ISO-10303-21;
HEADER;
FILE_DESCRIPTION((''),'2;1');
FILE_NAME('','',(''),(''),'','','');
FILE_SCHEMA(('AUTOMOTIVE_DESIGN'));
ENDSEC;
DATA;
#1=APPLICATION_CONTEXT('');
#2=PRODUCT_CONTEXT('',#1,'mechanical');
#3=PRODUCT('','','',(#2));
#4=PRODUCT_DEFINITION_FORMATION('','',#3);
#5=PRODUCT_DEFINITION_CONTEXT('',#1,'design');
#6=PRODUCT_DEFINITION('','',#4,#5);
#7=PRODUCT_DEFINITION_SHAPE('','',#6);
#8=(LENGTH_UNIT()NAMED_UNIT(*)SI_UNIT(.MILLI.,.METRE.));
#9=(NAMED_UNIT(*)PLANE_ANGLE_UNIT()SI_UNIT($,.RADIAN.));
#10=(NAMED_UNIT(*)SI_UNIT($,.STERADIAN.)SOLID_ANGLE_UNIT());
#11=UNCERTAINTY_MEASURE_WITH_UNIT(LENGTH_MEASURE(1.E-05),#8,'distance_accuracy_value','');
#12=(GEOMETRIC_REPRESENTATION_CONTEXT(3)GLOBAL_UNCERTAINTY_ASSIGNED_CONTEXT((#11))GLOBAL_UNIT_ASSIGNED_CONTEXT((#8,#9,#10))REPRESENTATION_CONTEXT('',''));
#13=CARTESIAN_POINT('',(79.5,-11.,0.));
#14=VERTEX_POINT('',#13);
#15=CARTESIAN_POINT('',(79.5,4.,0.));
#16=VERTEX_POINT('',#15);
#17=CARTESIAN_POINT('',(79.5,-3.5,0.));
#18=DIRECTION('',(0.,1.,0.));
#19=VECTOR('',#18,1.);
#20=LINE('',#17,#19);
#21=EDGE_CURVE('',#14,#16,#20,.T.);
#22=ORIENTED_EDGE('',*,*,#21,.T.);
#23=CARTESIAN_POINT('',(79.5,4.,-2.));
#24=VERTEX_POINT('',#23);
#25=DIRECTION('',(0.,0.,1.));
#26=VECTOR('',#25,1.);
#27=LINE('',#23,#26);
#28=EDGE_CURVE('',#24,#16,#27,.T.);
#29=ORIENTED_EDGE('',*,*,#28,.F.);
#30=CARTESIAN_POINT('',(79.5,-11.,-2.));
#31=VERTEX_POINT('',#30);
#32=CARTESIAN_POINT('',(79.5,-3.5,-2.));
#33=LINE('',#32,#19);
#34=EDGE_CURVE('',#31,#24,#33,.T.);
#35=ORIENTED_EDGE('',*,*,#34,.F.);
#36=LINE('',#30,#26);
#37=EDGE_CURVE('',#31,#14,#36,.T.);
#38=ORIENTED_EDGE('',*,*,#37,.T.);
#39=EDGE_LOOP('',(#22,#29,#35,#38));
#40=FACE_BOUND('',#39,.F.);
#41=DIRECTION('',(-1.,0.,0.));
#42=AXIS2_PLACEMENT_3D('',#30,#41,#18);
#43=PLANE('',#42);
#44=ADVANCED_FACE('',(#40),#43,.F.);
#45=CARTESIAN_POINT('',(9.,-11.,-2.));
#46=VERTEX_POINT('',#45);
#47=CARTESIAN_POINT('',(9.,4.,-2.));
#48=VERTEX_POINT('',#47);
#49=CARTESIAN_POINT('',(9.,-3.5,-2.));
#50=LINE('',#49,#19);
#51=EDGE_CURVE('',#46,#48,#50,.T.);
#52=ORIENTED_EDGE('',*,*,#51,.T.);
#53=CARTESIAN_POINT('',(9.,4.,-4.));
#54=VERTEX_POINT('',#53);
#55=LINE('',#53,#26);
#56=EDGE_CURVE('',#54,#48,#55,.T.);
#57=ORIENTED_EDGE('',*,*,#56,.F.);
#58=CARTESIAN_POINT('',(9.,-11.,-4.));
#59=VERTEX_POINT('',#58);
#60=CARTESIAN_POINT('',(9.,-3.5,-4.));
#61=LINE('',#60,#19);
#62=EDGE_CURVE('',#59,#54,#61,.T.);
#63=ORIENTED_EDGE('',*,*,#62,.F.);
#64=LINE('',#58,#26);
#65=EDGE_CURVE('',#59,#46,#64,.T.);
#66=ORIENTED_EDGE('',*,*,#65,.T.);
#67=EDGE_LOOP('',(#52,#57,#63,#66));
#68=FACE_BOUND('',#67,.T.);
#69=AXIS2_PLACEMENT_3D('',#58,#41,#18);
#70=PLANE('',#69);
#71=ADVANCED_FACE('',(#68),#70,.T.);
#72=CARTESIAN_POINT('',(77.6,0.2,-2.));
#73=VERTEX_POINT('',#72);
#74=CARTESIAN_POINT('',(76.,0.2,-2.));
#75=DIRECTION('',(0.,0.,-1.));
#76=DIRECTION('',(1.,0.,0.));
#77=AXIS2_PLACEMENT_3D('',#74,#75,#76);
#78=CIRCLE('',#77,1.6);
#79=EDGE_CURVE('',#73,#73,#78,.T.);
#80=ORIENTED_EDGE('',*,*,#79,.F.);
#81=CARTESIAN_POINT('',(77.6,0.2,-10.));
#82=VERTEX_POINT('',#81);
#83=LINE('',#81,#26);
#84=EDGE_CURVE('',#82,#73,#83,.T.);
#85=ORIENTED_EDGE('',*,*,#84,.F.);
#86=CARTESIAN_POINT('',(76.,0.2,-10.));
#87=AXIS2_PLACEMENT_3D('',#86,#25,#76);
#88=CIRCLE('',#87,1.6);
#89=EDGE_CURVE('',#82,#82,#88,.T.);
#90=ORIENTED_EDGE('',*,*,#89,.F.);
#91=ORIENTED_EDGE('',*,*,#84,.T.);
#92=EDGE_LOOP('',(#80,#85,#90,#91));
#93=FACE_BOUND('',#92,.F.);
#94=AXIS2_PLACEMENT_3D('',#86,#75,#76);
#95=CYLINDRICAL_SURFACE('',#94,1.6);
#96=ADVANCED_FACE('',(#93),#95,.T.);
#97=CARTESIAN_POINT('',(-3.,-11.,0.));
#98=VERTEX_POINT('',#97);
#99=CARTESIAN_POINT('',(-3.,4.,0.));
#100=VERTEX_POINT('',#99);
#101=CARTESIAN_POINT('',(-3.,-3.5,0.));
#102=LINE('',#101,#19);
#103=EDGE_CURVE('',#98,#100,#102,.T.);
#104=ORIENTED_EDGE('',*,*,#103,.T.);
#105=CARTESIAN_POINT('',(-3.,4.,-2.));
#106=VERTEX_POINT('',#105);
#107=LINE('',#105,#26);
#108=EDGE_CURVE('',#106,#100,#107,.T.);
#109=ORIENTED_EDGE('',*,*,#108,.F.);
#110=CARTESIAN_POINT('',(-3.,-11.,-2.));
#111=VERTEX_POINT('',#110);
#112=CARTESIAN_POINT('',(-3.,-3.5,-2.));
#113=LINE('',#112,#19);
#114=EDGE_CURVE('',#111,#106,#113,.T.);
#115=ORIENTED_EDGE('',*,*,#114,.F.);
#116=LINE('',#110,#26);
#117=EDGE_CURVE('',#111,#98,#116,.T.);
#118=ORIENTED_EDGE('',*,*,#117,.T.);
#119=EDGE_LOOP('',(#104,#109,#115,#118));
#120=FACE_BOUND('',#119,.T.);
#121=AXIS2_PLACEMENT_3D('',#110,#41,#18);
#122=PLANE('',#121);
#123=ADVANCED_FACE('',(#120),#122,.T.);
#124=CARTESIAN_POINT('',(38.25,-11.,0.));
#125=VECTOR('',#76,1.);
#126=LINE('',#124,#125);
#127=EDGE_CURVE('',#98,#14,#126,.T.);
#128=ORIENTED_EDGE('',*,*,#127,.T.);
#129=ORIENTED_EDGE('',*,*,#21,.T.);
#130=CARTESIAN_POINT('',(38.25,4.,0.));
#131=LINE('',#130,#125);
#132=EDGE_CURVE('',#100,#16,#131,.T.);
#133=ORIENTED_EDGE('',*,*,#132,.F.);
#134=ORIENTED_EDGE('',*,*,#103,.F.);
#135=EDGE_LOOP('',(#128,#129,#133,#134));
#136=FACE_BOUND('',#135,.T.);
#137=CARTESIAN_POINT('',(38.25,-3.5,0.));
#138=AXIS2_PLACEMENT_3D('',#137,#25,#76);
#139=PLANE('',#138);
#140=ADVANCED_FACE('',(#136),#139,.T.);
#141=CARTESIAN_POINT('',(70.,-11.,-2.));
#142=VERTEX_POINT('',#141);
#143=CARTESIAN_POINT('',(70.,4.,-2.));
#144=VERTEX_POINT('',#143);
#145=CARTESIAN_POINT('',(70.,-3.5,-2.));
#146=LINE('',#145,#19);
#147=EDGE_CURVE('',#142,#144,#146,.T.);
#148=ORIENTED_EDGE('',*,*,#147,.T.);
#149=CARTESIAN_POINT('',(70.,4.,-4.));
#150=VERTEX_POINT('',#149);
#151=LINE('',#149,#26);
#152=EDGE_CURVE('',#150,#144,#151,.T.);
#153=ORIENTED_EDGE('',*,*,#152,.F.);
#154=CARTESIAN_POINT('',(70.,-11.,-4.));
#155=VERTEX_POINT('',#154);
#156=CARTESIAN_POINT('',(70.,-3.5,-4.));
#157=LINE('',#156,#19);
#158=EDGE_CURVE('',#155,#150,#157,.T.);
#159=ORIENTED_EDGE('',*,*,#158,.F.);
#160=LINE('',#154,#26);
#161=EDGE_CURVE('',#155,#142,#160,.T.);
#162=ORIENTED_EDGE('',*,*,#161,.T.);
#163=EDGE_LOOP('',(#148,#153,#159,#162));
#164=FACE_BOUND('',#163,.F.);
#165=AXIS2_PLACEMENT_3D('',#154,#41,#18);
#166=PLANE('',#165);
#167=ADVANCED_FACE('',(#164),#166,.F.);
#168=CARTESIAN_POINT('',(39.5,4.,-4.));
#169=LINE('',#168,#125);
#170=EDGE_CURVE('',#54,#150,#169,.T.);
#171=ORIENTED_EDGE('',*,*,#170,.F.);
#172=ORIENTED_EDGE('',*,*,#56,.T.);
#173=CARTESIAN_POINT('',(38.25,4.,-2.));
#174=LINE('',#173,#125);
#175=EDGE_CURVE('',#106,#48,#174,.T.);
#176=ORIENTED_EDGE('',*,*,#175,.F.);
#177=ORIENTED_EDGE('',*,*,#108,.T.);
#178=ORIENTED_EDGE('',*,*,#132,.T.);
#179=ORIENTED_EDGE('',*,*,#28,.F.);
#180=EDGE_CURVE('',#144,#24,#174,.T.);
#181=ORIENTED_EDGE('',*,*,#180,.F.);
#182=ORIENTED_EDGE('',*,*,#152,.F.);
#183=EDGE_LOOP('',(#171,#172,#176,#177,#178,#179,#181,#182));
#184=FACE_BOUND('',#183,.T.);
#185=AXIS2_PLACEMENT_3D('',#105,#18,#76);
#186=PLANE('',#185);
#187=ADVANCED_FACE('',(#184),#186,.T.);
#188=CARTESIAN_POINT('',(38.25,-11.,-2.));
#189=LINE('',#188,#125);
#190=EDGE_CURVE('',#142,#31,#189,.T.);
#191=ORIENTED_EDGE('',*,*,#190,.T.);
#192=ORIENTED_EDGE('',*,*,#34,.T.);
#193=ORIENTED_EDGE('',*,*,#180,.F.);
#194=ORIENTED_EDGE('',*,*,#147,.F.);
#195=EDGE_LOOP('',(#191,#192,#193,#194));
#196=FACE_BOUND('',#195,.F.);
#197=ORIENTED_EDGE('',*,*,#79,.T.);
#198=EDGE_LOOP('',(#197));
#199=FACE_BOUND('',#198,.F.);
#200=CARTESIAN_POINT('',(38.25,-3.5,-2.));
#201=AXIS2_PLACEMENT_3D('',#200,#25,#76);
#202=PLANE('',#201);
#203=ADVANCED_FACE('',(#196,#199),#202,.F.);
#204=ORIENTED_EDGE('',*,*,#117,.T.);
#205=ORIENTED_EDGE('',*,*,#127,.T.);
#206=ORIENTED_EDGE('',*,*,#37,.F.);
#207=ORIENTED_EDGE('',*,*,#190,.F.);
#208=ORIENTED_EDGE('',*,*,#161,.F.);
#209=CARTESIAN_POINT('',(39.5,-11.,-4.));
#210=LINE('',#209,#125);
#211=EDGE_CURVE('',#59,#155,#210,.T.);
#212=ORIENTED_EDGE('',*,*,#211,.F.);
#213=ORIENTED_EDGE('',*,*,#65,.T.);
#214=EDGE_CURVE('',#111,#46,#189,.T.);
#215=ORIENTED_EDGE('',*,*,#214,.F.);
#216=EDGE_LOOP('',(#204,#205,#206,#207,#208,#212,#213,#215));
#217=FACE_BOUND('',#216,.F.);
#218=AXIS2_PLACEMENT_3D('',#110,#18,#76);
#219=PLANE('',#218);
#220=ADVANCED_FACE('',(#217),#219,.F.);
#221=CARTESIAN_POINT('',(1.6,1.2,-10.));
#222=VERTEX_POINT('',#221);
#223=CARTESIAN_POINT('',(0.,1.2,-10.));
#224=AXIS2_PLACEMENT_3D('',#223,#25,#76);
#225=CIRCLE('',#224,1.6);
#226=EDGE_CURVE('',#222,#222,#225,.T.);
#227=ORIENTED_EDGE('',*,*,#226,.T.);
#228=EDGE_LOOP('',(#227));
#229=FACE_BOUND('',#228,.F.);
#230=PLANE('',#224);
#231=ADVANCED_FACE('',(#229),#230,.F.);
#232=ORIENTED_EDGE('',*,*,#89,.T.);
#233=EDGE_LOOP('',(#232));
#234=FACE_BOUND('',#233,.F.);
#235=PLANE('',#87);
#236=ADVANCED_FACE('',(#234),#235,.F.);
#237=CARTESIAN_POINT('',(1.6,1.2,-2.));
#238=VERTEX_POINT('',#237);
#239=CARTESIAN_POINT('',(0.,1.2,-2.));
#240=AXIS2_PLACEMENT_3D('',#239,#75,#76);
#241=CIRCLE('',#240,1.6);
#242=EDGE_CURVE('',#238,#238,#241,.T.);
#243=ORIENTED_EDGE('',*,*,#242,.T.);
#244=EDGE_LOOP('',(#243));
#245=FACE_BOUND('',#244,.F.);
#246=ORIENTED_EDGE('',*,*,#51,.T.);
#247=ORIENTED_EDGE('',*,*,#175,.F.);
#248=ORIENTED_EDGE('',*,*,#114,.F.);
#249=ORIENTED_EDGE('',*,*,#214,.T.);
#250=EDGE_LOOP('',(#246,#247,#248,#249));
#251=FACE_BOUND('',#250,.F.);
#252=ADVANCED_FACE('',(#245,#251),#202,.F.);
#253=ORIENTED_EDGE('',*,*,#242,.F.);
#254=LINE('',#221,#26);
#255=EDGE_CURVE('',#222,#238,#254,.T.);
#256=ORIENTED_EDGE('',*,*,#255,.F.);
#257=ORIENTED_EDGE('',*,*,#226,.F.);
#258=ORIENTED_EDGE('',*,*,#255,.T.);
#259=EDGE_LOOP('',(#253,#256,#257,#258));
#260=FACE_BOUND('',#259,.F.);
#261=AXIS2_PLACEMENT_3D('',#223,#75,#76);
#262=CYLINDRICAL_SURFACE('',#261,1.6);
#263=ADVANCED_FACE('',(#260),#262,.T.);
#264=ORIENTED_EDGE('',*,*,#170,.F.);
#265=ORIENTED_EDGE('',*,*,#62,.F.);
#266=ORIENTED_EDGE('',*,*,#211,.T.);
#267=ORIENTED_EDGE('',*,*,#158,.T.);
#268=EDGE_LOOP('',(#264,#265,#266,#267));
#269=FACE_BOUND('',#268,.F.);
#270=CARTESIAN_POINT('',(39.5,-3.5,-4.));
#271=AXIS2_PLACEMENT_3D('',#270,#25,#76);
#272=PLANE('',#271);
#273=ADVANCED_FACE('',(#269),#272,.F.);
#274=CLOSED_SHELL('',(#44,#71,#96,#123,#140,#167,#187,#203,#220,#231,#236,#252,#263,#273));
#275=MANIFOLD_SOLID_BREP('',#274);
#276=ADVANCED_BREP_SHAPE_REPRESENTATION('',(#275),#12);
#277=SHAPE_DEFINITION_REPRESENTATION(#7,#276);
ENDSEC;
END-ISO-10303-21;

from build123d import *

# Parameters (mm, degrees)
CYLINDER_R        = 1.6
CYLINDER_DEPTH    = 10
BOX001_W          = 61
BOX001_H          = 15
BOX001_DEPTH      = 2
BOX_W             = 82.5
BOX_H             = 15
BOX_DEPTH         = 2
CYLINDER003_R     = 1.6
CYLINDER003_DEPTH = 10


with BuildPart() as taladro1:
    # Cylinder → Cylinder (new body)
    with BuildSketch(Plane(origin=(0, 1.2, -10), x_dir=(1, 0, 0), z_dir=(0, 0, 1))):
        Circle(CYLINDER_R)
    extrude(amount=CYLINDER_DEPTH)


with BuildPart() as perfora_2mm_centro:
    # Box001 → Box001 (new body)
    with BuildSketch(Plane(origin=(12, 0, -2), x_dir=(1, 0, 0), z_dir=(0, 0, 1))):
        with Locations((30.5, 7.5)):
            Rectangle(BOX001_W, BOX001_H)
    extrude(amount=BOX001_DEPTH)


with BuildPart() as fusion001:
    # Box → Box (new body)
    with BuildSketch(Plane.XY):
        with Locations((41.25, 7.5)):
            Rectangle(BOX_W, BOX_H)
    extrude(amount=BOX_DEPTH)

    # Fusion: union perfora_2mm_centro
    add(perfora_2mm_centro.part)


with BuildPart() as fusion001_1:
    # Fusion placement: moved
    add(fusion001.part.moved(Location((-3, -11, -2))))

    # Fusion001: union taladro1
    add(taladro1.part)


with BuildPart() as fusion006:
    # Cylinder003 → Cylinder003 (new body)
    with BuildSketch(Plane(origin=(76, 0.2, -10), x_dir=(1, 0, 0), z_dir=(0, 0, 1))):
        Circle(CYLINDER003_R)
    extrude(amount=CYLINDER003_DEPTH)

    # Fusion006: union Fusion001
    add(fusion001_1.part)


solid = fusion006.part
